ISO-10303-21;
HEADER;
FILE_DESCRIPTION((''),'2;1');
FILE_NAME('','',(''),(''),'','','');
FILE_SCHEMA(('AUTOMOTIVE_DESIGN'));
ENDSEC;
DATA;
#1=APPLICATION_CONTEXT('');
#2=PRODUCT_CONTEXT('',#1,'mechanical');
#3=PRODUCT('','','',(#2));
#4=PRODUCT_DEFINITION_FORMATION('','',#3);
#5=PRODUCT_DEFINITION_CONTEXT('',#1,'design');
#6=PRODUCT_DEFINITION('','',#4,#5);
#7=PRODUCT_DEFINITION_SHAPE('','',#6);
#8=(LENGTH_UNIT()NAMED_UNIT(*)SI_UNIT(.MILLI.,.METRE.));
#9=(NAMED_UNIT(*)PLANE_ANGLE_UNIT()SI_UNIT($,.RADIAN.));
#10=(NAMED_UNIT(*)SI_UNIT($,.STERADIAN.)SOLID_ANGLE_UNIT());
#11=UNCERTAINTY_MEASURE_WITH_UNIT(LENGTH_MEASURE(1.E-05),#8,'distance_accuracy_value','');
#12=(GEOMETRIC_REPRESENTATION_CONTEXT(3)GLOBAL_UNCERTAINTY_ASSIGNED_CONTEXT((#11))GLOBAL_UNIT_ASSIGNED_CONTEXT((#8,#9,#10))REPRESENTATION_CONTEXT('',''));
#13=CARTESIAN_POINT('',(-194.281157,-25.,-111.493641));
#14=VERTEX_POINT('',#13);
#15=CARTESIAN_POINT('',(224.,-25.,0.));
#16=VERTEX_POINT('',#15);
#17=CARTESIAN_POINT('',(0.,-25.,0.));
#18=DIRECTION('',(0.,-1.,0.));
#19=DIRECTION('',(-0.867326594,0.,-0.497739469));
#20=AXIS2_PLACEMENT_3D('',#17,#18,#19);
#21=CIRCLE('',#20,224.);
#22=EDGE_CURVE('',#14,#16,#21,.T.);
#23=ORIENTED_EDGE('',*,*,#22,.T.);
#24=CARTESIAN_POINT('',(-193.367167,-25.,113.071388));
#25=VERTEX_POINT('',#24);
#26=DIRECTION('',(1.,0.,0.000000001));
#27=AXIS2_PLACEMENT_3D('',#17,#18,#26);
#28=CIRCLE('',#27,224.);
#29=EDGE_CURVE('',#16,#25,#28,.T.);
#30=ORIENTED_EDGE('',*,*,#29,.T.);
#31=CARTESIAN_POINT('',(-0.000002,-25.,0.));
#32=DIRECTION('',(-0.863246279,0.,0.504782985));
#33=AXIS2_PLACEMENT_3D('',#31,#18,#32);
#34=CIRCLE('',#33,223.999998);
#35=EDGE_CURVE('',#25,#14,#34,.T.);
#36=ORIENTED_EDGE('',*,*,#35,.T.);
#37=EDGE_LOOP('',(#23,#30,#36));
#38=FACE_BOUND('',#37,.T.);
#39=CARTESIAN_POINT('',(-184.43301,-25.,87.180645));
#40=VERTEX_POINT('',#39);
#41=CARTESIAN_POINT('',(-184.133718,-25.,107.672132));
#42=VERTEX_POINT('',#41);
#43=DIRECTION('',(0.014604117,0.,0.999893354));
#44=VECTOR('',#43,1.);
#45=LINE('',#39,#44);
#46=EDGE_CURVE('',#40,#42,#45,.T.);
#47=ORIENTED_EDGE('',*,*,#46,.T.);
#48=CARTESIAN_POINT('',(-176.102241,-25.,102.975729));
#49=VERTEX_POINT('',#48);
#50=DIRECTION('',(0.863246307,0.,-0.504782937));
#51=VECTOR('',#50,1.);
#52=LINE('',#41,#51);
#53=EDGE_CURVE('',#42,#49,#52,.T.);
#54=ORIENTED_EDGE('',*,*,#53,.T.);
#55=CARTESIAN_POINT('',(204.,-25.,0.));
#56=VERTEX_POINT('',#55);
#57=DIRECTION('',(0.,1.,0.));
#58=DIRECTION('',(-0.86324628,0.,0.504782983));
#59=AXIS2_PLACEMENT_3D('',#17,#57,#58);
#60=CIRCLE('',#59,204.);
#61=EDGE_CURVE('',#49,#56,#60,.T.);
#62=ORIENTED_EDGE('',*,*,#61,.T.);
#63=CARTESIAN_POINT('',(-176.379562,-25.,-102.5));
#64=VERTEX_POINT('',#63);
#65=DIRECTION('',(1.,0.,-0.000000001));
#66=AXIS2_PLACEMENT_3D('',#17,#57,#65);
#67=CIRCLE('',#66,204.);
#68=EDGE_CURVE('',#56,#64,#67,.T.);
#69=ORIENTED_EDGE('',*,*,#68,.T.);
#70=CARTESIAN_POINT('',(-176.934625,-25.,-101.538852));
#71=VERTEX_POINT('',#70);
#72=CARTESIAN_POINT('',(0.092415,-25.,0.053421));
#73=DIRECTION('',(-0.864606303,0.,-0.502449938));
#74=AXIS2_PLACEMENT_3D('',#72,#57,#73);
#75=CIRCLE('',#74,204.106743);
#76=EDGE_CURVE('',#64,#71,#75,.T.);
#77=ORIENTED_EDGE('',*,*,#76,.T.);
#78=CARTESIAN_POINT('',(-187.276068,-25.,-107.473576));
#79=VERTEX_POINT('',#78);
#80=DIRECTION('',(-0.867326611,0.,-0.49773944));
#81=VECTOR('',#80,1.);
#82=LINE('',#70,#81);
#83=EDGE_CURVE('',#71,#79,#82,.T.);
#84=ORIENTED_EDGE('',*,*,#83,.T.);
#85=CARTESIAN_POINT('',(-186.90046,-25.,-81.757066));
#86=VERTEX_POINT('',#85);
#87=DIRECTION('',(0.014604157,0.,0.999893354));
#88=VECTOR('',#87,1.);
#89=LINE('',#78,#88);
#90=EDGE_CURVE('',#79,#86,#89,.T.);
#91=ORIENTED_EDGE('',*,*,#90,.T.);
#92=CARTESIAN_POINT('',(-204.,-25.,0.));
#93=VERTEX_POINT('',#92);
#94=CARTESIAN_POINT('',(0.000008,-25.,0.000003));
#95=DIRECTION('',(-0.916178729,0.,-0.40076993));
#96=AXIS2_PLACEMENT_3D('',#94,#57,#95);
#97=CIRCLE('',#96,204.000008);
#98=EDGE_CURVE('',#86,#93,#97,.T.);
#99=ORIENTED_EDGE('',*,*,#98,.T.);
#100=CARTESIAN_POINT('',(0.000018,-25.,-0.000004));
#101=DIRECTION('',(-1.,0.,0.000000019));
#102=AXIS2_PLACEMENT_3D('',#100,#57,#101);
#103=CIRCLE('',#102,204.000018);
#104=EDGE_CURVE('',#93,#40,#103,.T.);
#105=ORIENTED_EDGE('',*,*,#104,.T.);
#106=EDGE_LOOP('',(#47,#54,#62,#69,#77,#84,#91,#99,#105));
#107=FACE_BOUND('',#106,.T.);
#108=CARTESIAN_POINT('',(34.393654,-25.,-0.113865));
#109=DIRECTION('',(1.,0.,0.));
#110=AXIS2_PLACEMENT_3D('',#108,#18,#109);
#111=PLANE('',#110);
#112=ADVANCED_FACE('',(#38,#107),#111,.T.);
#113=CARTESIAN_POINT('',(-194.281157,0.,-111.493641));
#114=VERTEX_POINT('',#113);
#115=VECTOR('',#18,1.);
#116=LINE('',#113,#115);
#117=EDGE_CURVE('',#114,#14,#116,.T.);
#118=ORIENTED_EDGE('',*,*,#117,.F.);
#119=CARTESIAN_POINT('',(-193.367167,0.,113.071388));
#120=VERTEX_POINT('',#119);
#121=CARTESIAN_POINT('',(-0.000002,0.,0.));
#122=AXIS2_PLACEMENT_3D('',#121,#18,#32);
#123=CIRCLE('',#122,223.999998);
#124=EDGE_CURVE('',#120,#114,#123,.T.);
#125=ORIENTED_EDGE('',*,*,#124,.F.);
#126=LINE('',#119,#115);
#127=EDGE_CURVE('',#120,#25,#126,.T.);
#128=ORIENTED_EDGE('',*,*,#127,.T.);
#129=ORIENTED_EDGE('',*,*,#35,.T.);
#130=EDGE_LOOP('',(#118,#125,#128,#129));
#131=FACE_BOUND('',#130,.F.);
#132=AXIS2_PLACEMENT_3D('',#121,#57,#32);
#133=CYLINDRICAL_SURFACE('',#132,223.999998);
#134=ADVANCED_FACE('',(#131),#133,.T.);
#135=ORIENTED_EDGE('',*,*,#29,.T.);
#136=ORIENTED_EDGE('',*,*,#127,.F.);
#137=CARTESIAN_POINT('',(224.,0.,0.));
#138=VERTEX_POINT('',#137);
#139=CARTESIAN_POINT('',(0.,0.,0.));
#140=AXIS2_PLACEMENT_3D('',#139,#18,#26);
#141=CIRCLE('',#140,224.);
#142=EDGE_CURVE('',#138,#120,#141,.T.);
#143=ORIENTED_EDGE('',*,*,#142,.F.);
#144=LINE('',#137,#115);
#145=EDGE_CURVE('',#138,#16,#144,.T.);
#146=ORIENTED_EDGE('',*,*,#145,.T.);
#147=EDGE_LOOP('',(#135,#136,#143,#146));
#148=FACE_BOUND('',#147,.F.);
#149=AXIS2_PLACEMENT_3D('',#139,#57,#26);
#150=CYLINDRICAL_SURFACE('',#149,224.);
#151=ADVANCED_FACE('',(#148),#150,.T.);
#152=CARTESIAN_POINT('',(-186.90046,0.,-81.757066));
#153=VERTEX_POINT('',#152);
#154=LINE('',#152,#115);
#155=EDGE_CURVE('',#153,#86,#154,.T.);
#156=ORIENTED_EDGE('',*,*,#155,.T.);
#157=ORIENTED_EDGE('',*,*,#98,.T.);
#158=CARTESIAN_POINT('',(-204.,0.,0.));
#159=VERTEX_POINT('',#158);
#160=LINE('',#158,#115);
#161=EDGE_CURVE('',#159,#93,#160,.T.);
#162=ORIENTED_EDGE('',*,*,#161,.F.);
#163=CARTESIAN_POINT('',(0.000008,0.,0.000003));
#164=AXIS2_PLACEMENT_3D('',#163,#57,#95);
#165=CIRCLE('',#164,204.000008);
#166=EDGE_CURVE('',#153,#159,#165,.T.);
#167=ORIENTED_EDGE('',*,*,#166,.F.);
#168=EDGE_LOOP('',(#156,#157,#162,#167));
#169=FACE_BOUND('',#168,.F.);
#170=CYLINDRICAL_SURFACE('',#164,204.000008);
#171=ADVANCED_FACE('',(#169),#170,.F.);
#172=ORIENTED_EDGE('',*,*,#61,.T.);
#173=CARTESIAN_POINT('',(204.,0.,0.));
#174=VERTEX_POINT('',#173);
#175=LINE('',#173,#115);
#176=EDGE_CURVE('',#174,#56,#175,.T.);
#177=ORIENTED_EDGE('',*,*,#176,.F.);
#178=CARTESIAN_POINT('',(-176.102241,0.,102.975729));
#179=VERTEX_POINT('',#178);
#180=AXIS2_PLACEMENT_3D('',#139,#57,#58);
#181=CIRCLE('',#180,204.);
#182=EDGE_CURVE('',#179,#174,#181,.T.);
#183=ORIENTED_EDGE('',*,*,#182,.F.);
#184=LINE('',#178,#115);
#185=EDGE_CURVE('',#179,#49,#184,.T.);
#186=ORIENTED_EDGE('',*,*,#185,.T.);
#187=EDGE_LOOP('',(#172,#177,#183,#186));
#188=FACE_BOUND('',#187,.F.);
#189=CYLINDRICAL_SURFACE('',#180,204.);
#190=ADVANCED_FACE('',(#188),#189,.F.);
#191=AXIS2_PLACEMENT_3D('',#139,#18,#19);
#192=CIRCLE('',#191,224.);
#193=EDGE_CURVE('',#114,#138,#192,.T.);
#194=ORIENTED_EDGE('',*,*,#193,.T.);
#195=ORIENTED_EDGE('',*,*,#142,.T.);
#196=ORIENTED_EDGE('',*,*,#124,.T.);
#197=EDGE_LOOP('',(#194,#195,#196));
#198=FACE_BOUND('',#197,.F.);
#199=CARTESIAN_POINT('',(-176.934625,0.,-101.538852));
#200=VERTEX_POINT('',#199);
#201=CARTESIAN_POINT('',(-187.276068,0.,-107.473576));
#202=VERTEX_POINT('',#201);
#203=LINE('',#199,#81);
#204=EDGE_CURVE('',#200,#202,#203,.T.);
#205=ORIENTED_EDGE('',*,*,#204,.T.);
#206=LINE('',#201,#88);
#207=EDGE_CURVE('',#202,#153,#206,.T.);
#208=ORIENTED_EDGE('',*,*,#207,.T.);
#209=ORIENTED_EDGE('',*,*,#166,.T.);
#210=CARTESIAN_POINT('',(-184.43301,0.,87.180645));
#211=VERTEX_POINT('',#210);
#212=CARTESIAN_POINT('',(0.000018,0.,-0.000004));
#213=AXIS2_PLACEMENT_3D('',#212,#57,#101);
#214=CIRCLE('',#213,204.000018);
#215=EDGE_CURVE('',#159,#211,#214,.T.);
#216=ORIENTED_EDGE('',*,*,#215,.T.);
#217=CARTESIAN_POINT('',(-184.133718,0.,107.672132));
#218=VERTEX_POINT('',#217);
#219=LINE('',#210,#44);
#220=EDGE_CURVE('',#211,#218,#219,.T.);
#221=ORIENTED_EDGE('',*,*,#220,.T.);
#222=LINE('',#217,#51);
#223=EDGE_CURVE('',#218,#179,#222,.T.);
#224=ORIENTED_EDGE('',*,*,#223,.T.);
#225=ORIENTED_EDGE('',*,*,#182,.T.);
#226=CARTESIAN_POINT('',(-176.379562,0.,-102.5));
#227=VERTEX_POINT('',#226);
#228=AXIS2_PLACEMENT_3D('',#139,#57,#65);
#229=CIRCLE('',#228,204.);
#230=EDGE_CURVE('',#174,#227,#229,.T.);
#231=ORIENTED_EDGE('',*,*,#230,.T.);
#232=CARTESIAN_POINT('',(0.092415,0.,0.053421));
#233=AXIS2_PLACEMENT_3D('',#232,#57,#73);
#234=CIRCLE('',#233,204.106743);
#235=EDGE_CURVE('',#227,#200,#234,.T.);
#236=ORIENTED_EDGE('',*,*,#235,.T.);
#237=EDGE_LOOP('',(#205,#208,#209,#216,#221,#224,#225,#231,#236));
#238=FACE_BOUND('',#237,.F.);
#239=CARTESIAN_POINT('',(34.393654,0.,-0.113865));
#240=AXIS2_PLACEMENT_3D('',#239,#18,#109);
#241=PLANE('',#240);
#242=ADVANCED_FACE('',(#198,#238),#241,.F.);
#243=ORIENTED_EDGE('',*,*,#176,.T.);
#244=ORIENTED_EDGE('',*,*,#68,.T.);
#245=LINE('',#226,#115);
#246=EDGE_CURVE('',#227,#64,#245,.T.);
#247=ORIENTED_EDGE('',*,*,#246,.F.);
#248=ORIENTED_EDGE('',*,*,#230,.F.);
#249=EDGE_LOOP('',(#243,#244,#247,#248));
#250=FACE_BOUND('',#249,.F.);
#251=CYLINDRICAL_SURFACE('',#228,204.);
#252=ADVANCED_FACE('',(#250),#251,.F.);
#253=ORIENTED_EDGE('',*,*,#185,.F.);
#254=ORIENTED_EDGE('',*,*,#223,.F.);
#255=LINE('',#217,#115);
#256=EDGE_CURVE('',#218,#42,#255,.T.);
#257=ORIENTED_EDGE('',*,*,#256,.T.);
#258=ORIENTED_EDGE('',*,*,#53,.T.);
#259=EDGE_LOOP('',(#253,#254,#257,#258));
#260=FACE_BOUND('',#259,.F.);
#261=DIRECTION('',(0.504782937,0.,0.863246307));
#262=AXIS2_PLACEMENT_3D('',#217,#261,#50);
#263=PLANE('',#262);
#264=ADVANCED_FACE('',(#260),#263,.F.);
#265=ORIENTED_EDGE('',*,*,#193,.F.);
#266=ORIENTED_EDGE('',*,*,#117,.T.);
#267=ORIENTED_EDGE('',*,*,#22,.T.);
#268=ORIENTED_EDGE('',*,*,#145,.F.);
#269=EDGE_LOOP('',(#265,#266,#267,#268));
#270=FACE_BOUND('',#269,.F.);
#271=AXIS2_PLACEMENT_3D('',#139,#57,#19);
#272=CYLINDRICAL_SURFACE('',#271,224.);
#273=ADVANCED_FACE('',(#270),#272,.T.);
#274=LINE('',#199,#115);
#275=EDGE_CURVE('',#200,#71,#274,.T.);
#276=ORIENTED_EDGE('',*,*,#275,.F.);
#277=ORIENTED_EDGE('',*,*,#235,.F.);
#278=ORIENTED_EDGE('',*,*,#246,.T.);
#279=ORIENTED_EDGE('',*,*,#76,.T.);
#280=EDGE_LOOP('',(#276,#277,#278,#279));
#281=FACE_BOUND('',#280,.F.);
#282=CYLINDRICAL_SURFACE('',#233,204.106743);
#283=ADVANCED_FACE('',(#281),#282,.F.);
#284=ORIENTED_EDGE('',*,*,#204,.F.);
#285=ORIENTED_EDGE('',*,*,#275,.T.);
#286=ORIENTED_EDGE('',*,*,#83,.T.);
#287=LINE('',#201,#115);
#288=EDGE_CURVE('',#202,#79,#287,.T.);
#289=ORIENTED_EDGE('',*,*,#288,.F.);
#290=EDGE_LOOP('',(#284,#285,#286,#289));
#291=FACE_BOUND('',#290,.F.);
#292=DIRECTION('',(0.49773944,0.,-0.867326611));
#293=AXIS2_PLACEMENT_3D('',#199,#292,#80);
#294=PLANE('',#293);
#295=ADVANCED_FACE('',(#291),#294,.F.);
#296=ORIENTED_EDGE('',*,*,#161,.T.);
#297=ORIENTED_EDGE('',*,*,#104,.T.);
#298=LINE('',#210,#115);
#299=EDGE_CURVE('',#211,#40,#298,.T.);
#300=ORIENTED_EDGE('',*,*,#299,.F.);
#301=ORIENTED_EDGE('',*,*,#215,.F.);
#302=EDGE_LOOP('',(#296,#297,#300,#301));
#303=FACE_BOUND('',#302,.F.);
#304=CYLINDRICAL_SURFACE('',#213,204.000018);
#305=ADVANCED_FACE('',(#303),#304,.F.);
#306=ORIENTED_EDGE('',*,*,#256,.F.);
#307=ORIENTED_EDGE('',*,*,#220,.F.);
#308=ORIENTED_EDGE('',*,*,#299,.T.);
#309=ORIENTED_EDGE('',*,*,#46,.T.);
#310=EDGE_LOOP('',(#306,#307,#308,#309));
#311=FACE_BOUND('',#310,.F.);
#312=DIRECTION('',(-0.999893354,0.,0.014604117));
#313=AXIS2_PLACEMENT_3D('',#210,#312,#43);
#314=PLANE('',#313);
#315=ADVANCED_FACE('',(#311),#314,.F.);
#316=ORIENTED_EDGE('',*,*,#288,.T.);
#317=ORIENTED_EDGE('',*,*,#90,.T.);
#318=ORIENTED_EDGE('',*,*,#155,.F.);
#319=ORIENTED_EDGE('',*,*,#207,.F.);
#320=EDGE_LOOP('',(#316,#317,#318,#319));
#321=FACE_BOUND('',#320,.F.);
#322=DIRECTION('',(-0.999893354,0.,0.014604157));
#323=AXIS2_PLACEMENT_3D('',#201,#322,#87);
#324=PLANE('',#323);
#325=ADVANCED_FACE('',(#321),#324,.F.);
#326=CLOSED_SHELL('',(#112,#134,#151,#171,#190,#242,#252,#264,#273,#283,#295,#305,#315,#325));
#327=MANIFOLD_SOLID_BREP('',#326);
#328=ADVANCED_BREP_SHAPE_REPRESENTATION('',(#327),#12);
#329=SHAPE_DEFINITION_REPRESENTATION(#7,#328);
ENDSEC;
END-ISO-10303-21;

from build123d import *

# Parameters (mm, degrees)
F1_DEPTH = 25


with BuildPart() as f1:
    # F0 (on Front) → F1 (new body)
    with BuildSketch(Plane.XZ):
        with BuildLine():
            ThreePointArc((-194.281157, -111.493641), (57.693244, -216.442809), (224, 0))
            ThreePointArc((224, 0), (58.573691, 216.206204), (-193.367167, 113.071388))
            Line((-193.367167, 113.071388), (-184.133718, 107.672132))
            Line((-184.133718, 107.672132), (-176.102241, 102.975729))
            ThreePointArc((-176.102241, 102.975729), (53.343898, 196.902079), (204, 0))
            ThreePointArc((204, 0), (53.078099, -196.973895), (-176.379562, -102.5))
            ThreePointArc((-176.379562, -102.5), (-176.657747, -102.019803), (-176.934625, -101.538852))
            Line((-176.934625, -101.538852), (-187.276068, -107.473576))
            Line((-187.276068, -107.473576), (-194.281157, -111.493641))
        make_face()
        with BuildLine():
            Line((-184.133718, 107.672132), (-193.367167, 113.071388))
            ThreePointArc((-193.367167, 113.071388), (-223.998145, 0.911683), (-194.281157, -111.493641))
            Line((-194.281157, -111.493641), (-187.276068, -107.473576))
            Line((-187.276068, -107.473576), (-186.90046, -81.757066))
            ThreePointArc((-186.90046, -81.757066), (-199.67936, -41.763058), (-204, 0))
            ThreePointArc((-204, 0), (-199.048152, 44.674747), (-184.43301, 87.180645))
            Line((-184.43301, 87.180645), (-184.133718, 107.672132))
        make_face()
    extrude(amount=F1_DEPTH)


solid = f1.part
